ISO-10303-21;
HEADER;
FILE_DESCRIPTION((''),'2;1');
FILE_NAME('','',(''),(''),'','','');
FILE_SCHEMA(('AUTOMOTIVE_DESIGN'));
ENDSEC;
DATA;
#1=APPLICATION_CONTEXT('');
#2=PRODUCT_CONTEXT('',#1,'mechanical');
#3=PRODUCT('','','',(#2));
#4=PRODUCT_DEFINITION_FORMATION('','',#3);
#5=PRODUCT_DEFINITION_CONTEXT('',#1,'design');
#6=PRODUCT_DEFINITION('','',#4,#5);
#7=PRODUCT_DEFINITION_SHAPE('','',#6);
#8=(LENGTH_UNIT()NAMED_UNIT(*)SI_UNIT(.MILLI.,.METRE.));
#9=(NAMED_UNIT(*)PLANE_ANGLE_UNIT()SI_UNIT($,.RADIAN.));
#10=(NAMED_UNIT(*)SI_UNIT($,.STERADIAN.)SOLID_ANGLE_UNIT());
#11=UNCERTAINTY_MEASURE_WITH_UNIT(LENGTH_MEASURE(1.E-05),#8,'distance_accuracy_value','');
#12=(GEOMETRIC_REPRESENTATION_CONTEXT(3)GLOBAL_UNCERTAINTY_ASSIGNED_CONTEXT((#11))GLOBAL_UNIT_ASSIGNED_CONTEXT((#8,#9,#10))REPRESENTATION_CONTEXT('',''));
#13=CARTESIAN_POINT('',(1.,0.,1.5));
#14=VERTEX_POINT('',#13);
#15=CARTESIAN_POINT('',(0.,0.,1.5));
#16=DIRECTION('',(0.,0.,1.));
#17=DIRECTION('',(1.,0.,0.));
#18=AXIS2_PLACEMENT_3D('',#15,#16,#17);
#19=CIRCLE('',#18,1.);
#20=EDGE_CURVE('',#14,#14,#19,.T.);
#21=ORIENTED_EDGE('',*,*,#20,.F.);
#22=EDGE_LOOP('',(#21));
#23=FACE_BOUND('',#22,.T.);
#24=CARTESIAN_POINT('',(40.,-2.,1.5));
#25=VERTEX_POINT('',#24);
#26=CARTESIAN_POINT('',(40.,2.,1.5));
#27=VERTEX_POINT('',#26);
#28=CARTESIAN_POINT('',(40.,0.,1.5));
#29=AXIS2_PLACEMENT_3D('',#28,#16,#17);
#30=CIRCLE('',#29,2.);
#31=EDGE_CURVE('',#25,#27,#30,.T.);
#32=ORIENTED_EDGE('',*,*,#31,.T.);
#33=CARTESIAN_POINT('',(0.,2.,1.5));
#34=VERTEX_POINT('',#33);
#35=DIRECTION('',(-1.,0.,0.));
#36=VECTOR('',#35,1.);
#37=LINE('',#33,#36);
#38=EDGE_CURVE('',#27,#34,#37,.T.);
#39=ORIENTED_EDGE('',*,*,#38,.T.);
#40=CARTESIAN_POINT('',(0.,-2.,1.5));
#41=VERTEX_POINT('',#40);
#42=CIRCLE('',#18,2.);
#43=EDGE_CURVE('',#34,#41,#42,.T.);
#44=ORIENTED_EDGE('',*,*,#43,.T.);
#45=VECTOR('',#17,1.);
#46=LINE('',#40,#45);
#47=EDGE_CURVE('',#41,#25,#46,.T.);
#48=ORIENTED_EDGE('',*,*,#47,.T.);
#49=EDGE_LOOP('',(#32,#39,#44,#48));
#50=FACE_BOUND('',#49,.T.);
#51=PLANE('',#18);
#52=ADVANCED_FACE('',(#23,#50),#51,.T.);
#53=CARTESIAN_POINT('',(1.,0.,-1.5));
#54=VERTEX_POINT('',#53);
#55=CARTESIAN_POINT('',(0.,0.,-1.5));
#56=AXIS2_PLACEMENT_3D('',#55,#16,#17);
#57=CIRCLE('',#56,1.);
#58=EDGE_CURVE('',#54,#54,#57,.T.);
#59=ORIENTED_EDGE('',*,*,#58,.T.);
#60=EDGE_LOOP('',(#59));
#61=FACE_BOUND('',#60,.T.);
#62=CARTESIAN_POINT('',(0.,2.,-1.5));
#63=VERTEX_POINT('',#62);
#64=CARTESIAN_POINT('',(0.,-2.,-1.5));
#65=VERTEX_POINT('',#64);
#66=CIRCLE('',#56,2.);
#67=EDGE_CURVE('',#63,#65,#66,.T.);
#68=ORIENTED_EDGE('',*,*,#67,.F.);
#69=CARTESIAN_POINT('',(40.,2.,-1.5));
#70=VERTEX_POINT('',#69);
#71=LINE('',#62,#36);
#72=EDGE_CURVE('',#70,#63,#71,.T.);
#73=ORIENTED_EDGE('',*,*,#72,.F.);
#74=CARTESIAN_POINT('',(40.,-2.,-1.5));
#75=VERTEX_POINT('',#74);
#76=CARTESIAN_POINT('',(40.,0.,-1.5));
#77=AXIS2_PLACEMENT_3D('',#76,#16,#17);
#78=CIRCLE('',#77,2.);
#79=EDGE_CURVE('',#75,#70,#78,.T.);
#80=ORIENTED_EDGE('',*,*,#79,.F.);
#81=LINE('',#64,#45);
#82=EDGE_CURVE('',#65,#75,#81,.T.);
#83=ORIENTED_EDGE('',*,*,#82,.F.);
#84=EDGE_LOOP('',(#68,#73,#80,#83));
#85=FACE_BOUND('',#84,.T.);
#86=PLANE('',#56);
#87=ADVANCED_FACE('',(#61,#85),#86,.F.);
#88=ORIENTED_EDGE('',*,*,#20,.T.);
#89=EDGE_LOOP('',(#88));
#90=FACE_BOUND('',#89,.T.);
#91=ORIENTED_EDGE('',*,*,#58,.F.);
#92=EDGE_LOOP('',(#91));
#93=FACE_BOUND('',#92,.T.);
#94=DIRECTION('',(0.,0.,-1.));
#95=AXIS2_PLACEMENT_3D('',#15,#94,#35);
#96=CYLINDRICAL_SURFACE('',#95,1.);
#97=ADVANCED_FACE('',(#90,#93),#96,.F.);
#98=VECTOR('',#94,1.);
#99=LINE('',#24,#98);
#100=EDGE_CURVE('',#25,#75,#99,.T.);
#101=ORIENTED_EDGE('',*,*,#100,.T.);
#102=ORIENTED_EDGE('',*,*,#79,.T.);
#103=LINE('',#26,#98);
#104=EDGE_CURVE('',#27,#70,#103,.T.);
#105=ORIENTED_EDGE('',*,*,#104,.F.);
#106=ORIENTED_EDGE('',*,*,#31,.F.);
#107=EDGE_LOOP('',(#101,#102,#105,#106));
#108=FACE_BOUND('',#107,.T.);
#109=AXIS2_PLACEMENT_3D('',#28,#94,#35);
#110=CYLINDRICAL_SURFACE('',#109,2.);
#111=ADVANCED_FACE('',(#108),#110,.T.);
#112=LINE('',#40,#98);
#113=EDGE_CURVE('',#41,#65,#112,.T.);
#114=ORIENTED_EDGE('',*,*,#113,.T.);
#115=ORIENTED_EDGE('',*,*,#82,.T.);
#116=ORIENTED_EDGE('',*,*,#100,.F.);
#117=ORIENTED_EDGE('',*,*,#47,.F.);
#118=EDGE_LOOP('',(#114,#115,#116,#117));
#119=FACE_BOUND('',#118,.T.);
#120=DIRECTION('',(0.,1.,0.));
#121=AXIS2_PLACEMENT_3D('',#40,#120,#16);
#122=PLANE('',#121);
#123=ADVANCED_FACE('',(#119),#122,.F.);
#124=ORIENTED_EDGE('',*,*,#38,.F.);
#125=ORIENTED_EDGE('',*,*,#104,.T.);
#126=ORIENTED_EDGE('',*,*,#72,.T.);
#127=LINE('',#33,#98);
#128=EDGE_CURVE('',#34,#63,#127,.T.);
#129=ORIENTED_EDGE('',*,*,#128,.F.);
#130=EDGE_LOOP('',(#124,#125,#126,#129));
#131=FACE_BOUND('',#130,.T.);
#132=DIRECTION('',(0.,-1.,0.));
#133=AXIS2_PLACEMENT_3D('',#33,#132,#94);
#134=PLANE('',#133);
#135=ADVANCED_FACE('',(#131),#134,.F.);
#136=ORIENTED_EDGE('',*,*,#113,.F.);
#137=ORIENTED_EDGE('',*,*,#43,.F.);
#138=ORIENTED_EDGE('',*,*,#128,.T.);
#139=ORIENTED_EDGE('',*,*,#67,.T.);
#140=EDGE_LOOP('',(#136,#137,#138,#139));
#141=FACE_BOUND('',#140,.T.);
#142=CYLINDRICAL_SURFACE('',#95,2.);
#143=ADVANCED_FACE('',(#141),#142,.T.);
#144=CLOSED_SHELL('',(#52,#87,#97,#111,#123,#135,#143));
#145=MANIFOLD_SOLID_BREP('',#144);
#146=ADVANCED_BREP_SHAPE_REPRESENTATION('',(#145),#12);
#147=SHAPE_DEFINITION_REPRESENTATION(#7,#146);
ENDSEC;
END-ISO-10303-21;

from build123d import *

# Parameters (mm, degrees)
SKETCH_1_R      = 1
EXTRUDE_1_DEPTH = 1.5


with BuildPart() as part:
    # 草图1 → 凸台-拉伸1 (new, symmetric)
    with BuildSketch(Plane.XY):
        with BuildLine():
            Line((0, 2), (40, 2))
            ThreePointArc((40, 2), (42, 0), (40, -2))
            Line((40, -2), (0, -2))
            ThreePointArc((0, -2), (-2, 0), (0, 2))
        make_face()
        Circle(SKETCH_1_R, mode=Mode.SUBTRACT)
    extrude(amount=EXTRUDE_1_DEPTH, both=True)


solid = part.part
